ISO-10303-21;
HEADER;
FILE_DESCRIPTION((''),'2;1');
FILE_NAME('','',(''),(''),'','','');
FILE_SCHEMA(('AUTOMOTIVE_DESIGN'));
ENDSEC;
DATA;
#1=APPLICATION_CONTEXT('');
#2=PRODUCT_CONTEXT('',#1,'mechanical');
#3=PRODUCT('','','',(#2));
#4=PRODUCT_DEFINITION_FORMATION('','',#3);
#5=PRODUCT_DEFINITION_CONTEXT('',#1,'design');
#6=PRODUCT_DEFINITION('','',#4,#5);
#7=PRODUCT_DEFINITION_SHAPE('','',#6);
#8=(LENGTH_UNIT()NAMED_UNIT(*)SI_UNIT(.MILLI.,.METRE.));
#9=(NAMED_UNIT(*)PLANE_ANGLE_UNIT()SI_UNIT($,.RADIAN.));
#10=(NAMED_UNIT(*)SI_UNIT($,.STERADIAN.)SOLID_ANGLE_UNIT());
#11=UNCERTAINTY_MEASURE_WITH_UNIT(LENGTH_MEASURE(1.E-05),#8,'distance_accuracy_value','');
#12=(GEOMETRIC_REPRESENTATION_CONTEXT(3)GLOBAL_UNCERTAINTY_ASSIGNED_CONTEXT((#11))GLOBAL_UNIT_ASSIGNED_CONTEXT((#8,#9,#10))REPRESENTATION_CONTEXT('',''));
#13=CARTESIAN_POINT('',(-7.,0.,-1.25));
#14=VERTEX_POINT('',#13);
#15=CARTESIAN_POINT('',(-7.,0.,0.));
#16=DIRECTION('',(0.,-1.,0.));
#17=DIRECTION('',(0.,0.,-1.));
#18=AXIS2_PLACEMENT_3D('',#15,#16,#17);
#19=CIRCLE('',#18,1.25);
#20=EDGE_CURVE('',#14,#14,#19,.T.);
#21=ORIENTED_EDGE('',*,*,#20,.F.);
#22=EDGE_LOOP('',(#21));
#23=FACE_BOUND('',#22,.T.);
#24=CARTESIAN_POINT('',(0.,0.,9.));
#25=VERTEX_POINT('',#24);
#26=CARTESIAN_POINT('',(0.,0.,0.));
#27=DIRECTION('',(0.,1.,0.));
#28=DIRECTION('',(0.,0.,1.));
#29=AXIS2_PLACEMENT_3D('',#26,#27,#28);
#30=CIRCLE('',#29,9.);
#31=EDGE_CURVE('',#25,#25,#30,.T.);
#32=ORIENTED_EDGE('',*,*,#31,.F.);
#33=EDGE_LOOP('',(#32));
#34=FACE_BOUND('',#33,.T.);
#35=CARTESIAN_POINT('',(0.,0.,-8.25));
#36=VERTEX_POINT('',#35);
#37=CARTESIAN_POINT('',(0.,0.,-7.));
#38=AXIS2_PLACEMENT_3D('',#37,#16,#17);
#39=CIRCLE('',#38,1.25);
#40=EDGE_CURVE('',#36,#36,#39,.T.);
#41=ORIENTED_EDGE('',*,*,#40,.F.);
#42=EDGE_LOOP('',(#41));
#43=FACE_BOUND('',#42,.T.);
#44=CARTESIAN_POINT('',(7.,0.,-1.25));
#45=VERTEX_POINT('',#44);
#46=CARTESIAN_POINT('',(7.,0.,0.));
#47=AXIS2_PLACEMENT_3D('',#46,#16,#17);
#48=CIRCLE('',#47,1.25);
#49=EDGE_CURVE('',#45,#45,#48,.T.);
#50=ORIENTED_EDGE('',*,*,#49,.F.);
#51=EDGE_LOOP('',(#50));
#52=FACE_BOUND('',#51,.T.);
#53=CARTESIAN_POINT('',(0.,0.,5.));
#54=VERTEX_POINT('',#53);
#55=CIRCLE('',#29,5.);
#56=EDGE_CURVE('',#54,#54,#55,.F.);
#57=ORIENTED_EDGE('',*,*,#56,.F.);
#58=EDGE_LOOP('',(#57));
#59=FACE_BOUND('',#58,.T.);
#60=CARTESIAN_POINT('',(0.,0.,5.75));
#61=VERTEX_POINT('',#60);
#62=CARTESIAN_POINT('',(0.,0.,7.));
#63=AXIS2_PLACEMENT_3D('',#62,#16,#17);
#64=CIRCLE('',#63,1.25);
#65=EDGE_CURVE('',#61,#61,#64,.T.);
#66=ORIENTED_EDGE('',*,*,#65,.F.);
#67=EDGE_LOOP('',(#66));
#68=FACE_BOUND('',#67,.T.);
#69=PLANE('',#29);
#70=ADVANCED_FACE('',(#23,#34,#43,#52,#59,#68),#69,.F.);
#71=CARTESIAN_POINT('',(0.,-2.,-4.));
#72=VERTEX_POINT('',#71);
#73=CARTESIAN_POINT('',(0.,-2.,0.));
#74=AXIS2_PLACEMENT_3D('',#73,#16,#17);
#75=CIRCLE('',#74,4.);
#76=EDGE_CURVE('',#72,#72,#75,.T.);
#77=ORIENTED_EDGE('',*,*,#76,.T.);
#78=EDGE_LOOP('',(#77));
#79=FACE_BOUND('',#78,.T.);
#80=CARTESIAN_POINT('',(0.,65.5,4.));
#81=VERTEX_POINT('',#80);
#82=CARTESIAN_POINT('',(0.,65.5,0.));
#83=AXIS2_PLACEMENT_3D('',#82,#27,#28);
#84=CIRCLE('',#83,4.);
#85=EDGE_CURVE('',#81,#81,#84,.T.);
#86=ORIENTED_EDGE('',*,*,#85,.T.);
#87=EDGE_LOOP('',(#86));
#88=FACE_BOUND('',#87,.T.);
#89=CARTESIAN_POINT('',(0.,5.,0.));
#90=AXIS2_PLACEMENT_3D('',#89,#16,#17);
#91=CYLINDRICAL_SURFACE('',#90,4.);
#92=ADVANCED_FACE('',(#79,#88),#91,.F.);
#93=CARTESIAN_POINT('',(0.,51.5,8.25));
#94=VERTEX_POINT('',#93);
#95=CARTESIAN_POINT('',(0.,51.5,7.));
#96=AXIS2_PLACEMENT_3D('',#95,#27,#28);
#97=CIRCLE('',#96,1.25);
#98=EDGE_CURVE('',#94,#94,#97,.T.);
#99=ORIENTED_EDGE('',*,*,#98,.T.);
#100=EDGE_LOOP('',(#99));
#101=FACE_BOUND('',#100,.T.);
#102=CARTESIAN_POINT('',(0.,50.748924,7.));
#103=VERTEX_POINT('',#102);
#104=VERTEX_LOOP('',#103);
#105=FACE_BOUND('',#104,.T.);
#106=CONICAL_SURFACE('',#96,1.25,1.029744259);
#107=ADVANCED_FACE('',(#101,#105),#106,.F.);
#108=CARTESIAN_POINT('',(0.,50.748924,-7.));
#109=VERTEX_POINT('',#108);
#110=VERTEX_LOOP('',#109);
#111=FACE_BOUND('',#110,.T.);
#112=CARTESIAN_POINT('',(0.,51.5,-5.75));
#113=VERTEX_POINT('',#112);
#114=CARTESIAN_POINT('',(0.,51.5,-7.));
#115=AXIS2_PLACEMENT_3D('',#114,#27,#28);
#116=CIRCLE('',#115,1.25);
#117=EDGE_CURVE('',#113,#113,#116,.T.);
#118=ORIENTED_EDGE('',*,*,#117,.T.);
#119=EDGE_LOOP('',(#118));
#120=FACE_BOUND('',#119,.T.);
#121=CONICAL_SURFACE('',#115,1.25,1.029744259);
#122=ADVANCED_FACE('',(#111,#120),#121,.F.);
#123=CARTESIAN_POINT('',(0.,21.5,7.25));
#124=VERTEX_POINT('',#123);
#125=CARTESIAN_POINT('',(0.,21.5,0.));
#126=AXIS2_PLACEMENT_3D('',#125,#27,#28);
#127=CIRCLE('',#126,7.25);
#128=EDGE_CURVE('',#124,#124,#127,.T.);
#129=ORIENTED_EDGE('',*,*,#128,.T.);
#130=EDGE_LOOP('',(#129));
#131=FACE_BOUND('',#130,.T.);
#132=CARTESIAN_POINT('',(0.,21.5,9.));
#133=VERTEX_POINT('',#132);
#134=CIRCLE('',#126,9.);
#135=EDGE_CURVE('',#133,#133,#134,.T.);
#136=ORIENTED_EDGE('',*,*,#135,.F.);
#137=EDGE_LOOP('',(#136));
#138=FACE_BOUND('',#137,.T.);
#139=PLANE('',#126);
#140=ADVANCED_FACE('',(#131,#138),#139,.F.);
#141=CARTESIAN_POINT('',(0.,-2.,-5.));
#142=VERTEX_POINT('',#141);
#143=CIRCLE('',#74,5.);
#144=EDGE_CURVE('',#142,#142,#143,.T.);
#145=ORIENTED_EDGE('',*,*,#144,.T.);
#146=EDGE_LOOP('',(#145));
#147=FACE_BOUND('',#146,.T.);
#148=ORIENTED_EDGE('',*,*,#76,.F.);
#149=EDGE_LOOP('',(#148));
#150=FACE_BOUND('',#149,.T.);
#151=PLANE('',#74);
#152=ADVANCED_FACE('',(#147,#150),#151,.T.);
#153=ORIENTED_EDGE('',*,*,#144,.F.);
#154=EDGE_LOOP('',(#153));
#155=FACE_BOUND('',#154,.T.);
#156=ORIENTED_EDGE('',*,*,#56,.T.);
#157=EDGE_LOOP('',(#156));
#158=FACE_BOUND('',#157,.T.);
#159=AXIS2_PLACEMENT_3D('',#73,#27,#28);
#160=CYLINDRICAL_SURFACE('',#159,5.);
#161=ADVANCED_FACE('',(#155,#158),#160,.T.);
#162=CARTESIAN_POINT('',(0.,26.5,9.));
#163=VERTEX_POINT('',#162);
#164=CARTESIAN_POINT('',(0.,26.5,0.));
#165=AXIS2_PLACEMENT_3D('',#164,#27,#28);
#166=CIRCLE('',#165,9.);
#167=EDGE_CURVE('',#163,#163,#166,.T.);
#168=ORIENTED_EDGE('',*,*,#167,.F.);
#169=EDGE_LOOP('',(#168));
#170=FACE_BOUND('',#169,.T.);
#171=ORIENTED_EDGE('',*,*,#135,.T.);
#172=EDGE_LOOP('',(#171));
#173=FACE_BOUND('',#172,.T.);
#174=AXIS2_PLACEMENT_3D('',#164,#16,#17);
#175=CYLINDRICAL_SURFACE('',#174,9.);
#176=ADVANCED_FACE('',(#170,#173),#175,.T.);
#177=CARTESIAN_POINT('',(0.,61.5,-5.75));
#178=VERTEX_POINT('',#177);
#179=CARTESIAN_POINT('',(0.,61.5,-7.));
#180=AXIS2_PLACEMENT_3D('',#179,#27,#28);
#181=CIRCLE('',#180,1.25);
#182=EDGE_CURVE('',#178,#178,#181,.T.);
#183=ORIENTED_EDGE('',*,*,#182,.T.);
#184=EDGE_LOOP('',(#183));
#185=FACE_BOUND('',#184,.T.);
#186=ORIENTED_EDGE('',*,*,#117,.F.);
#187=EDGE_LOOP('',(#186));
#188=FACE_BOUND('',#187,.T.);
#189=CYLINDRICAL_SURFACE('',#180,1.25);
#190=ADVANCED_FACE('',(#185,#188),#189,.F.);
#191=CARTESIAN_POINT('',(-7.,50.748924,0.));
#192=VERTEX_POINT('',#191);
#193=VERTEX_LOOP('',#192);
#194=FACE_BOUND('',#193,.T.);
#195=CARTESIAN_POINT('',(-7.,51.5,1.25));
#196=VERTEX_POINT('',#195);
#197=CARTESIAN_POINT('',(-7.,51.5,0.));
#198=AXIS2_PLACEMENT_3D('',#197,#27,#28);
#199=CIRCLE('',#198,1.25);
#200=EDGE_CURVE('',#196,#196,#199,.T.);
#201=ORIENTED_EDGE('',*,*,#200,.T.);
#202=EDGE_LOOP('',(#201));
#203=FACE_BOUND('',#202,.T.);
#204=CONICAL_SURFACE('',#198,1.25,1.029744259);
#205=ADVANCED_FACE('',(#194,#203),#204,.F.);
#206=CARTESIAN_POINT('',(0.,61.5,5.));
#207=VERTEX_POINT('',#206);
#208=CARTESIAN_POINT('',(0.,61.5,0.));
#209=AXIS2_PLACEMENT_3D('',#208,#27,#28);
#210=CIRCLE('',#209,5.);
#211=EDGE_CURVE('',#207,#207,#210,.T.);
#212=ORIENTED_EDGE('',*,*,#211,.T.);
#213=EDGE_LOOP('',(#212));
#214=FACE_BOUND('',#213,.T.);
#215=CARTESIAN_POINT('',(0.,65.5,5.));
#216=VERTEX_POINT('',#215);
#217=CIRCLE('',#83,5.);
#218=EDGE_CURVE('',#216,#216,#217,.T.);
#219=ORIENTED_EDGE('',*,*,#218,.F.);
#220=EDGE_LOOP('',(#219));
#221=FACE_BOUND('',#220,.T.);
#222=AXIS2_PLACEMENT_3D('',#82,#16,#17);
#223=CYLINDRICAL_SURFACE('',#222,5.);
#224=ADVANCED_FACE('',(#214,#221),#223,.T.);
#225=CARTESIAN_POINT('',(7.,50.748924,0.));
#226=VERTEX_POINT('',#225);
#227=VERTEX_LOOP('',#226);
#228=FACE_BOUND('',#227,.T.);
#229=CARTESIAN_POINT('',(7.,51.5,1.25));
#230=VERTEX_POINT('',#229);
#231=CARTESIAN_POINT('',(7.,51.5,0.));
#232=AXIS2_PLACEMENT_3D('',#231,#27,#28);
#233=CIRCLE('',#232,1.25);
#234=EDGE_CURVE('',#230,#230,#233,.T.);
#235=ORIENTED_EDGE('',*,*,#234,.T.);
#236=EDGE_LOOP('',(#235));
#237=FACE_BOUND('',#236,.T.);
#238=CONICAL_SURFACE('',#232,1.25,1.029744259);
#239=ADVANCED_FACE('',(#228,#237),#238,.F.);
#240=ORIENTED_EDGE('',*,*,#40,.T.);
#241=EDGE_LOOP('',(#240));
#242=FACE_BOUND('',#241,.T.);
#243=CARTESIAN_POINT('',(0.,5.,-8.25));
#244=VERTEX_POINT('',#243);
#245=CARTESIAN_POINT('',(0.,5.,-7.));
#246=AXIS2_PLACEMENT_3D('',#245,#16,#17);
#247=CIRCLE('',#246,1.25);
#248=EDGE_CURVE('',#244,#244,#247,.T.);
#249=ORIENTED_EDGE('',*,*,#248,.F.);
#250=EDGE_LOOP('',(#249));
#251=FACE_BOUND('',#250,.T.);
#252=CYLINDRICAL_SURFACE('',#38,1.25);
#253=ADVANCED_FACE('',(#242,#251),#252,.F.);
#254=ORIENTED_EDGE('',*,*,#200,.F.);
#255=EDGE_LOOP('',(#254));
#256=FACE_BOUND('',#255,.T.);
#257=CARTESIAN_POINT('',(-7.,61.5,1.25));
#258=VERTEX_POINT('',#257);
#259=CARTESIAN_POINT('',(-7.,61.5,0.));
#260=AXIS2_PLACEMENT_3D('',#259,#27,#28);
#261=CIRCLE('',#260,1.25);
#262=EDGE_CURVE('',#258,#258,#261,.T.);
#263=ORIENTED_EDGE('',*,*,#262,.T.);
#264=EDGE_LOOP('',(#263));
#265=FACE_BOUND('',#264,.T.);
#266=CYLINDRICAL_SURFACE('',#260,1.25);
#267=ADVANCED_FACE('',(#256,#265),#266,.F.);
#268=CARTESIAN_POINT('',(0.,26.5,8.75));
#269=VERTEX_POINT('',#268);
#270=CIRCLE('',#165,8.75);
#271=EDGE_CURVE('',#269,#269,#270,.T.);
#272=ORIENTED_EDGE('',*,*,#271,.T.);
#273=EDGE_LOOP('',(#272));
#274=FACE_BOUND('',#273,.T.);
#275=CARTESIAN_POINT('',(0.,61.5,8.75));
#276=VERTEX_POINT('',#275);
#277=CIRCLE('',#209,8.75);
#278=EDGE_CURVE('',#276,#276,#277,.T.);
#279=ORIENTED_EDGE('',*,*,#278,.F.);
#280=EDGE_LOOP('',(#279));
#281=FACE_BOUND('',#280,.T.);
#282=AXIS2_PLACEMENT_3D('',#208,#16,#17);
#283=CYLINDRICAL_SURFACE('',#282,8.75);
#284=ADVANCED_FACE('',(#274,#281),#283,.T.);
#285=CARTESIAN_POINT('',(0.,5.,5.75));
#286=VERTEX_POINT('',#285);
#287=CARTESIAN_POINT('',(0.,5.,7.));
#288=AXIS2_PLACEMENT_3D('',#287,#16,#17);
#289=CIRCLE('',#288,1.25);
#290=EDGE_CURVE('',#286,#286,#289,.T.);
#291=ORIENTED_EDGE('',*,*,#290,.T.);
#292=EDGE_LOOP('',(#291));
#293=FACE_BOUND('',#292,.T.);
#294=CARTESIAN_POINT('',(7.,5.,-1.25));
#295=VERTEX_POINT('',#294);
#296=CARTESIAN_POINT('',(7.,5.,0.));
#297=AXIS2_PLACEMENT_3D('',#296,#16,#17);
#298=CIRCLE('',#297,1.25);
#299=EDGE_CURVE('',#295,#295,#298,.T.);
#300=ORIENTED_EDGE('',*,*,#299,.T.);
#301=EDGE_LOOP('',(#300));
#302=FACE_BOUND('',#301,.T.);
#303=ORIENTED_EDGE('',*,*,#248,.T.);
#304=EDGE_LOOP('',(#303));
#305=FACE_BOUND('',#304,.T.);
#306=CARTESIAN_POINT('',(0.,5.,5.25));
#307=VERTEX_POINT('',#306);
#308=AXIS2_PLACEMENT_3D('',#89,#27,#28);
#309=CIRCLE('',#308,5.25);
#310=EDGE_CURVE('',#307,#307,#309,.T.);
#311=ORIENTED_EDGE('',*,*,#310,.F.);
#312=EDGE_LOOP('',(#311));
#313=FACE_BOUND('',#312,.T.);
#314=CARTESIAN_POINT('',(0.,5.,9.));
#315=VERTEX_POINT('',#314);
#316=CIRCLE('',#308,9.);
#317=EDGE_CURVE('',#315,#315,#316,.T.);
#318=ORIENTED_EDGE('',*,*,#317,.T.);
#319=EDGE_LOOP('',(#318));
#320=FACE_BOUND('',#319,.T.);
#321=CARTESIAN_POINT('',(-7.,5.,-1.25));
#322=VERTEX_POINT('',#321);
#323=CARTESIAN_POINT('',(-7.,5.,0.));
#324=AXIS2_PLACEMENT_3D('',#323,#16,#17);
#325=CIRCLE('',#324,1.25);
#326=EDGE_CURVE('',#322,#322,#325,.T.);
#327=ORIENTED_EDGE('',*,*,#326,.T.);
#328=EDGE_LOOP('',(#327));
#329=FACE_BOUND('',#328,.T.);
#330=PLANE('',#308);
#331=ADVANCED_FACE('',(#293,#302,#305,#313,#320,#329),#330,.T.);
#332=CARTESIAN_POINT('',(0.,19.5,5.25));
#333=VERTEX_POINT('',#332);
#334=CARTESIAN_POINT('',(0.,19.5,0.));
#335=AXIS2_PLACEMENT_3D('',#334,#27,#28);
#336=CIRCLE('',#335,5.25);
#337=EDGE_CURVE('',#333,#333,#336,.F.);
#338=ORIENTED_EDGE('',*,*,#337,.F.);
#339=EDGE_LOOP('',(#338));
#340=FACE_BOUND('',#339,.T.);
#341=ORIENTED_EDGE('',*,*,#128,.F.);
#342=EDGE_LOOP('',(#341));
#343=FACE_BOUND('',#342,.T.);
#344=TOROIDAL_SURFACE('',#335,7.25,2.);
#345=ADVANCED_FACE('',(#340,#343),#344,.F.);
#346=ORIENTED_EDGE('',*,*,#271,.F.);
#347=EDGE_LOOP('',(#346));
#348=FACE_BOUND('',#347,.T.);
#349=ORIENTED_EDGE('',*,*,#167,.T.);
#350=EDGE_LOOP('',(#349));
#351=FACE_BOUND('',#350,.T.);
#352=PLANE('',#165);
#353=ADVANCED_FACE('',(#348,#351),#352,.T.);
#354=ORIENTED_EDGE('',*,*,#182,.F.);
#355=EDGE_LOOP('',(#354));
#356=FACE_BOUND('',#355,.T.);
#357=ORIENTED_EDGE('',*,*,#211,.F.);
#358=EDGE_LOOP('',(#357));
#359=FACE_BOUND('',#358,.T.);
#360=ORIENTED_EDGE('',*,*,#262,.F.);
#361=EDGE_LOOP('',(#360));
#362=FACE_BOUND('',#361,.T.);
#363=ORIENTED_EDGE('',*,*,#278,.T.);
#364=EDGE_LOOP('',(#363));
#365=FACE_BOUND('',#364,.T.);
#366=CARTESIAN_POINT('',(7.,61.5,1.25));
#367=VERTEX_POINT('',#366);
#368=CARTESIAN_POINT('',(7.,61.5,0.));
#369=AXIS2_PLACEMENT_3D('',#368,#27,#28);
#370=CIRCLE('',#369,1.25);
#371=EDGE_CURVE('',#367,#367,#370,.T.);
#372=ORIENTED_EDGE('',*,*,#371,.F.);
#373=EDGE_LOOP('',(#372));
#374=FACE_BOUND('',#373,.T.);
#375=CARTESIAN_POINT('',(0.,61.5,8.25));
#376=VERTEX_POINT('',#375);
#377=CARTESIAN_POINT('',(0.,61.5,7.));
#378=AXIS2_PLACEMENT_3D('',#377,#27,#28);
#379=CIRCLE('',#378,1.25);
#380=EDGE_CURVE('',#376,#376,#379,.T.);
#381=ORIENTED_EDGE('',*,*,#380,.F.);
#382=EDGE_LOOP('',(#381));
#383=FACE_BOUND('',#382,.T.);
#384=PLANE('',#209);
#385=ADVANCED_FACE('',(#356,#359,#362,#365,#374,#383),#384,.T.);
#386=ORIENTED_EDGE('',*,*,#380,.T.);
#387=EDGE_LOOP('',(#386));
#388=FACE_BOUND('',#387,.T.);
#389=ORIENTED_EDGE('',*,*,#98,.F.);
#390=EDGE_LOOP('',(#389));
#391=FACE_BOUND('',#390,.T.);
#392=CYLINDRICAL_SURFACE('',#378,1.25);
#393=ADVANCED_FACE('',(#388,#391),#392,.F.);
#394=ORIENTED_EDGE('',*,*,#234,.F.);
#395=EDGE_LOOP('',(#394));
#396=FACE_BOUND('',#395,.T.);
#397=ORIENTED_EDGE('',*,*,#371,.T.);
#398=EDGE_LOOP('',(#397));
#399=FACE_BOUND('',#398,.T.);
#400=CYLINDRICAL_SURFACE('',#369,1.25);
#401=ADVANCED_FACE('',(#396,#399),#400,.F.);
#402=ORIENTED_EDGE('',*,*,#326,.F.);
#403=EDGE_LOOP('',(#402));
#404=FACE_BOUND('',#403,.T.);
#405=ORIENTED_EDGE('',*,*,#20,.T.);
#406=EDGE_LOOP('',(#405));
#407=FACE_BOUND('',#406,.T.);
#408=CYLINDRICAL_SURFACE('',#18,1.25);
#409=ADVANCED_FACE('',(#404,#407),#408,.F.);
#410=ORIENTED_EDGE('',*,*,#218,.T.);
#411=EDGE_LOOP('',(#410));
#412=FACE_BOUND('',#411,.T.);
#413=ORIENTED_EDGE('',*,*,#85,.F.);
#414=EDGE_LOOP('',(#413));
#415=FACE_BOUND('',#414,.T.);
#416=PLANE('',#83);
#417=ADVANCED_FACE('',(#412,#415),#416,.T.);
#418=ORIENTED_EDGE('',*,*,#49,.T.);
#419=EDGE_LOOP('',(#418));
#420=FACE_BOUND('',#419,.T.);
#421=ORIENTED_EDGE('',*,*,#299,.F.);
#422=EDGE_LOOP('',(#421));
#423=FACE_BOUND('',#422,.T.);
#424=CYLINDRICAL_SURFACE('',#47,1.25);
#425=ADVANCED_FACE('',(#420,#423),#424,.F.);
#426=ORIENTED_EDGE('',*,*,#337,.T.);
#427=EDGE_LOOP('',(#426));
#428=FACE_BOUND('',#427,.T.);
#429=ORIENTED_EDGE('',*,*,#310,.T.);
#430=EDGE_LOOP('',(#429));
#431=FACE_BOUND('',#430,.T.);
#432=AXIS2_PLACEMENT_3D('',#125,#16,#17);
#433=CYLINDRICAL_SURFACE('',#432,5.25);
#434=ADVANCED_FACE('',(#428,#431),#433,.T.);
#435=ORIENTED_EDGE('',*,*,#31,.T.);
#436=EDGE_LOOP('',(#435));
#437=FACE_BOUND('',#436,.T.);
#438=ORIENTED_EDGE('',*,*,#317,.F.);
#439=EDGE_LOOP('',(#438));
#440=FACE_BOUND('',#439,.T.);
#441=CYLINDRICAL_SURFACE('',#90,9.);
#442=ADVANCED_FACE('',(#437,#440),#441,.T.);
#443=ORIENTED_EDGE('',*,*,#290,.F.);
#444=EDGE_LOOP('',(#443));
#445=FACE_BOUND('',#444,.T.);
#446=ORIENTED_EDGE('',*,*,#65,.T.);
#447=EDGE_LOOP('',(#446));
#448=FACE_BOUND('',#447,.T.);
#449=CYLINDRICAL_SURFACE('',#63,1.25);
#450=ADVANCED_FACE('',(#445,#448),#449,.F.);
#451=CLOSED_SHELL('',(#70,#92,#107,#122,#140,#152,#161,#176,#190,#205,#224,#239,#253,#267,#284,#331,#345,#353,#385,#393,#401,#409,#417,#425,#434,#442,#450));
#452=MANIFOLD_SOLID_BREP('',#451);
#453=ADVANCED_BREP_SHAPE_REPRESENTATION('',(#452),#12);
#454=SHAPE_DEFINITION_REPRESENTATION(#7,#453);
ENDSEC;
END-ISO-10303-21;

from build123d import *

# Parameters (mm, degrees)
SKETCH_1_R             = 9
SKETCH_1_R_2           = 4
EXTRUDE_1_DEPTH        = 5
HOLE_WIZARD_M3_1_D     = 2.5
SKETCH_6_R             = 5.25
EXTRUDE_2_DEPTH        = 16.5
SKETCH_7_R             = 9
EXTRUDE_3_DEPTH        = 5
SKETCH_8_R             = 8.75
EXTRUDE_4_DEPTH        = 35
HOLE_WIZARD_M3_2_D     = 2.5
HOLE_WIZARD_M3_2_DEPTH = 10
HOLE_WIZARD_M3_2_TIP   = 0.751075774
SKETCH_12_R            = 5
EXTRUDE_5_DEPTH        = 4
SKETCH_13_R            = 4
CUT_EXTRUDE_1_DEPTH    = 165
EXTRUDE_START          = 2
SKETCH_14_R            = 5
SKETCH_14_R_2          = 4
EXTRUDE_6_DEPTH        = 2
FILLET_1_R             = 2


with BuildPart() as part:
    # 草图1 → 凸台-拉伸1 (new body)
    with BuildSketch(Plane(origin=(0, 0, 0), x_dir=(1, 0, 0), z_dir=(0, 1, 0))):
        with Locations(Location((0, 0, 0), (0, 0, 270))):
            Circle(SKETCH_1_R)
        with Locations(Location((0, 0, 0), (0, 0, 270))):
            Circle(SKETCH_1_R_2, mode=Mode.SUBTRACT)
    extrude(amount=EXTRUDE_1_DEPTH)

    # M3 螺纹孔1 (through all)
    with Locations(Plane(origin=(0, 0, 0), x_dir=(-1, 0, 0), z_dir=(0, -1, 0))):
        with Locations((7, 0), (0, -7), (-7, 0), (0, 7)):
            Hole(HOLE_WIZARD_M3_1_D / 2)

    # 草图6 → 凸台-拉伸2 (add)
    with BuildSketch(Plane(origin=(0, 5, 0), x_dir=(1, 0, 0), z_dir=(0, 1, 0))):
        with Locations(Location((0, 0, 0), (0, 0, 270))):
            Circle(SKETCH_6_R)
    extrude(amount=EXTRUDE_2_DEPTH)

    # 草图7 → 凸台-拉伸3 (add)
    with BuildSketch(Plane(origin=(0, 21.5, 0), x_dir=(1, 0, 0), z_dir=(0, 1, 0))):
        with Locations(Location((0, 0, 0), (0, 0, 270))):
            Circle(SKETCH_7_R)
    extrude(amount=EXTRUDE_3_DEPTH)

    # 草图8 → 凸台-拉伸4 (add)
    with BuildSketch(Plane(origin=(0, 26.5, 0), x_dir=(1, 0, 0), z_dir=(0, 1, 0))):
        with Locations(Location((0, 0, 0), (0, 0, 270))):
            Circle(SKETCH_8_R)
    extrude(amount=EXTRUDE_4_DEPTH)

    # M3 螺纹孔2
    with Locations(Plane(origin=(0, 61.5, 0), x_dir=(1, 0, 0), z_dir=(0, 1, 0))):
        with Locations((0, 7), (-7, 0), (7, 0), (0, -7)):
            Hole(HOLE_WIZARD_M3_2_D / 2, depth=HOLE_WIZARD_M3_2_DEPTH)
            with Locations((0, 0, -(HOLE_WIZARD_M3_2_DEPTH + HOLE_WIZARD_M3_2_TIP / 2))):  # 118° drill point
                Cone(0, HOLE_WIZARD_M3_2_D / 2, HOLE_WIZARD_M3_2_TIP, mode=Mode.SUBTRACT)

    # 草图12 → 凸台-拉伸5 (add)
    with BuildSketch(Plane(origin=(0, 61.5, 0), x_dir=(1, 0, 0), z_dir=(0, 1, 0))):
        with Locations(Location((0, 0, 0), (0, 0, 270))):
            Circle(SKETCH_12_R)
    extrude(amount=EXTRUDE_5_DEPTH)

    # 草图13 → 切除-拉伸1 (cut)
    with BuildSketch(Plane.XZ.offset(-5)):
        with Locations(Location((0, 0, 0), (0, 0, 90))):
            Circle(SKETCH_13_R)
    extrude(amount=-CUT_EXTRUDE_1_DEPTH, mode=Mode.SUBTRACT)

    # 草图14 → 凸台-拉伸6 (add)
    with BuildSketch(Plane.XZ.offset(EXTRUDE_START)):
        with Locations(Location((0, 0, 0), (0, 0, 90))):
            Circle(SKETCH_14_R)
        with Locations(Location((0, 0, 0), (0, 0, 270))):
            Circle(SKETCH_14_R_2, mode=Mode.SUBTRACT)
    extrude(amount=-EXTRUDE_6_DEPTH)

    # 圆角1
    fillet_1_edges = [part.edges().sort_by_distance(p)[0] for p in [
        (0, 21.5, -5.25),
    ]]
    fillet(fillet_1_edges, radius=FILLET_1_R)


solid = part.part
